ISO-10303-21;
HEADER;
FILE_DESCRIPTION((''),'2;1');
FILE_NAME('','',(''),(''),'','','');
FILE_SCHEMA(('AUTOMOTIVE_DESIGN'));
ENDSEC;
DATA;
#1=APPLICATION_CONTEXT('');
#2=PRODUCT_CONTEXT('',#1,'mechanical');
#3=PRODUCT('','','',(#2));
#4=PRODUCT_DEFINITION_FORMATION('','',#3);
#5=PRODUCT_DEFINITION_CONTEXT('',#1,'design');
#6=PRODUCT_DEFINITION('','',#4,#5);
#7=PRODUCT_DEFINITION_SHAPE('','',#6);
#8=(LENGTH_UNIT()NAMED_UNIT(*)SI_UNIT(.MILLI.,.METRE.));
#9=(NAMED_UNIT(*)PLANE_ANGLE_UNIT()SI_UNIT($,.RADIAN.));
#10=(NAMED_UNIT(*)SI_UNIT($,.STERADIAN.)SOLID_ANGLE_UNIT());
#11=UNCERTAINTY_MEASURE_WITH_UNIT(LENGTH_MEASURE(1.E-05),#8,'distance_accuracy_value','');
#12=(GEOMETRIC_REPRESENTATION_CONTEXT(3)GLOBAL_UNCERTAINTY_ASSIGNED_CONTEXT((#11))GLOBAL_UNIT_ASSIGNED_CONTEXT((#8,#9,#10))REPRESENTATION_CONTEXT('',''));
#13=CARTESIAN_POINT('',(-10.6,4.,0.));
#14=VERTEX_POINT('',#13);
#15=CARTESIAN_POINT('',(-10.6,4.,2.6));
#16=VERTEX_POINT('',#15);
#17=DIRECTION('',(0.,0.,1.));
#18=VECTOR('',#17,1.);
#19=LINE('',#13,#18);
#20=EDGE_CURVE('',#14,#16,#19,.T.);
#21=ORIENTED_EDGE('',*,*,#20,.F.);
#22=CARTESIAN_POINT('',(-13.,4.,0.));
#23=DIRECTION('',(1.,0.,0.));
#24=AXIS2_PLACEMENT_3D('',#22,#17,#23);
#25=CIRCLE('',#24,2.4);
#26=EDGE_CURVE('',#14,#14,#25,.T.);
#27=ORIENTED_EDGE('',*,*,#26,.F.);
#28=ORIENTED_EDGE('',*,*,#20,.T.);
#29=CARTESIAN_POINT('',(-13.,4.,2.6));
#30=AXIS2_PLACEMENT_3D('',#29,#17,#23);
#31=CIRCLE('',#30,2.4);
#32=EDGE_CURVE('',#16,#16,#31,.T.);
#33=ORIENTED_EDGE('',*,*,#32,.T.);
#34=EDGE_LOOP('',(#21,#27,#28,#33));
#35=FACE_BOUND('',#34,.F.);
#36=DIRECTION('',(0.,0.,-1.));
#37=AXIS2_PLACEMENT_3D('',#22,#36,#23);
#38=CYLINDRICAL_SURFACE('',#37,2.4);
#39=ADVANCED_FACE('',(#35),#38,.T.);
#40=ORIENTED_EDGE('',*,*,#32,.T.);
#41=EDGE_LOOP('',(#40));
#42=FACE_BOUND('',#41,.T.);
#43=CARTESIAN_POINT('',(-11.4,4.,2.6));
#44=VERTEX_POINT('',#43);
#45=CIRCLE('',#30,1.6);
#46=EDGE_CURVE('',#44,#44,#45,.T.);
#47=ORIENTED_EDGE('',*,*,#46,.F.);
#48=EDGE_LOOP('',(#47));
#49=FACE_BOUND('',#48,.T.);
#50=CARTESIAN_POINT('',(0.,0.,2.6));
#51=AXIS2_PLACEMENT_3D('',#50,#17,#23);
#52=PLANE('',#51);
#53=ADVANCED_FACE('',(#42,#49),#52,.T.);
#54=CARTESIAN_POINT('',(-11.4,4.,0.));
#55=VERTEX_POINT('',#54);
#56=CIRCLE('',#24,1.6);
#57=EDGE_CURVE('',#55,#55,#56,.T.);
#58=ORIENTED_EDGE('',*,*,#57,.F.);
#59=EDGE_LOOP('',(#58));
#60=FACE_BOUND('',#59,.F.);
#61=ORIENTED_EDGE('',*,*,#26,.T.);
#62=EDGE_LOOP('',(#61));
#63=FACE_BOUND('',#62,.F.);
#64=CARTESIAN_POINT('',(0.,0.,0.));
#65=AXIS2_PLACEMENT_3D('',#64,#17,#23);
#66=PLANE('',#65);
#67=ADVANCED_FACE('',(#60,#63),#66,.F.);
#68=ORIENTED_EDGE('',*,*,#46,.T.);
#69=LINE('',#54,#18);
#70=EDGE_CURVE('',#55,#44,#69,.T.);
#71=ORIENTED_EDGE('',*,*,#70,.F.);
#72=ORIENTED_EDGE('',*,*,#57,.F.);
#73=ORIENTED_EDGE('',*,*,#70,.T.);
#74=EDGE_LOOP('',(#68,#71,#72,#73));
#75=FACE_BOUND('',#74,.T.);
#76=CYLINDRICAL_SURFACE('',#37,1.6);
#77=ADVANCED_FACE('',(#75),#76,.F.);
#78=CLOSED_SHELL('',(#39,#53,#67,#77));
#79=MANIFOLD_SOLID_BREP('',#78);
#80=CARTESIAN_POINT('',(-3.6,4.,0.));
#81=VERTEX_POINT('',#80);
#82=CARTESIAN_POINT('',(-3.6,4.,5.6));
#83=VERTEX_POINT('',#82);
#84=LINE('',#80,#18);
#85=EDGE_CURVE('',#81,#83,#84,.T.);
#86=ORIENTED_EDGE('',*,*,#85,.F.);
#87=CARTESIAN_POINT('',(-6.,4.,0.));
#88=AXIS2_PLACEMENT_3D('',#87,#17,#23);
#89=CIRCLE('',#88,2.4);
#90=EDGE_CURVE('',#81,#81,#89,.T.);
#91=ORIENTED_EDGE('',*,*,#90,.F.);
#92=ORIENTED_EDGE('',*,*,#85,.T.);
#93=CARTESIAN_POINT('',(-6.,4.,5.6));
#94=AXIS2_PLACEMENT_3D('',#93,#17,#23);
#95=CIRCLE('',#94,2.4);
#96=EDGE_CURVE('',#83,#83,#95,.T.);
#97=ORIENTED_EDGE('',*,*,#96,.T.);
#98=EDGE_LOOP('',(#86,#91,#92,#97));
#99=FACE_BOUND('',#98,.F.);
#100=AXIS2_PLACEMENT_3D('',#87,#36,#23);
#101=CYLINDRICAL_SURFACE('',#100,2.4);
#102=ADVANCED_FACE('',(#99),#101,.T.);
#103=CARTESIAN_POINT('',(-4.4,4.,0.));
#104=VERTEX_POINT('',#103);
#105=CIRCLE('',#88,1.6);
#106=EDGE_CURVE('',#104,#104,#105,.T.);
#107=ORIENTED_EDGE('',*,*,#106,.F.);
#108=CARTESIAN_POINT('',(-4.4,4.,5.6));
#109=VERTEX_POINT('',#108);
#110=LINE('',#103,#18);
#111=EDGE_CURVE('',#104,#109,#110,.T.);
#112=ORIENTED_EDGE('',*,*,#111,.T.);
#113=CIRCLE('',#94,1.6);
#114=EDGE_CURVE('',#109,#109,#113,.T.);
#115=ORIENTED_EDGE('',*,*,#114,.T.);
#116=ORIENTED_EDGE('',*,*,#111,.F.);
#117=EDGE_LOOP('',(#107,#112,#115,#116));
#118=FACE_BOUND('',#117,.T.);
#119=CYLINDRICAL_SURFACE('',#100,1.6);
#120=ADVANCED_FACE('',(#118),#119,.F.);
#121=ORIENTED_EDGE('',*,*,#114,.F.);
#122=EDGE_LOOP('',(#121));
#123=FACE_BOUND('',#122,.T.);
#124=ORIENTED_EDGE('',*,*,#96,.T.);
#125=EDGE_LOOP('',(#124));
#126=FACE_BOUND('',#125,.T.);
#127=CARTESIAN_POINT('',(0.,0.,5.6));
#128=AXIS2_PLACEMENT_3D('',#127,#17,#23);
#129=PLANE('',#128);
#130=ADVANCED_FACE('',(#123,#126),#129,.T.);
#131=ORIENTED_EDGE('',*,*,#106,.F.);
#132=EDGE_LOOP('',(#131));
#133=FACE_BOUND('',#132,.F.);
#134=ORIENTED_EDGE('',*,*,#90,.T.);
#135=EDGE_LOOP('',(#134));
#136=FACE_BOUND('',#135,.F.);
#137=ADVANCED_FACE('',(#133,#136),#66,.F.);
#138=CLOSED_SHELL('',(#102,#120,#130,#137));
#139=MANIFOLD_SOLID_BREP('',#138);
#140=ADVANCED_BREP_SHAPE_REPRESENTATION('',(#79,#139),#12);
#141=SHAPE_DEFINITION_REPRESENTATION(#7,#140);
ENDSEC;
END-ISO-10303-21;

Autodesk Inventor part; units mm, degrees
ref_plane "YZ Plane" through (0, 0, 0) normal (1, 0, 0) x (0, 1, 0)
ref_plane "XZ Plane" through (0, 0, 0) normal (0, 1, 0) x (-1, 0, 0)
ref_plane "XY Plane" through (0, 0, 0) normal (0, 0, 1) x (1, 0, 0)
sketch "Sketch1" plane through (0, 0, 0) normal (0, 0, 1) x (1, 0, 0)
  circle A0 centre (-6, 4) radius 1.6
  circle A1 centre (-6, 4) radius 2.4
  circle A2 centre (-13, 4) radius 1.6
  circle A3 centre (-13, 4) radius 2.4
  point P0 (0, 0)
  dimension "d0" = 3.2
  dimension "d1" = 4.8
  dimension "d2" = 3.2
  dimension "d3" = 4.8
extrude "Extrusion1" add sketch "Sketch1" along normal blind 2.6 contours A3
extrude "Extrusion2" add sketch "Sketch1" along normal blind 5.6 contours A1
properties part number "spacer_v1"
